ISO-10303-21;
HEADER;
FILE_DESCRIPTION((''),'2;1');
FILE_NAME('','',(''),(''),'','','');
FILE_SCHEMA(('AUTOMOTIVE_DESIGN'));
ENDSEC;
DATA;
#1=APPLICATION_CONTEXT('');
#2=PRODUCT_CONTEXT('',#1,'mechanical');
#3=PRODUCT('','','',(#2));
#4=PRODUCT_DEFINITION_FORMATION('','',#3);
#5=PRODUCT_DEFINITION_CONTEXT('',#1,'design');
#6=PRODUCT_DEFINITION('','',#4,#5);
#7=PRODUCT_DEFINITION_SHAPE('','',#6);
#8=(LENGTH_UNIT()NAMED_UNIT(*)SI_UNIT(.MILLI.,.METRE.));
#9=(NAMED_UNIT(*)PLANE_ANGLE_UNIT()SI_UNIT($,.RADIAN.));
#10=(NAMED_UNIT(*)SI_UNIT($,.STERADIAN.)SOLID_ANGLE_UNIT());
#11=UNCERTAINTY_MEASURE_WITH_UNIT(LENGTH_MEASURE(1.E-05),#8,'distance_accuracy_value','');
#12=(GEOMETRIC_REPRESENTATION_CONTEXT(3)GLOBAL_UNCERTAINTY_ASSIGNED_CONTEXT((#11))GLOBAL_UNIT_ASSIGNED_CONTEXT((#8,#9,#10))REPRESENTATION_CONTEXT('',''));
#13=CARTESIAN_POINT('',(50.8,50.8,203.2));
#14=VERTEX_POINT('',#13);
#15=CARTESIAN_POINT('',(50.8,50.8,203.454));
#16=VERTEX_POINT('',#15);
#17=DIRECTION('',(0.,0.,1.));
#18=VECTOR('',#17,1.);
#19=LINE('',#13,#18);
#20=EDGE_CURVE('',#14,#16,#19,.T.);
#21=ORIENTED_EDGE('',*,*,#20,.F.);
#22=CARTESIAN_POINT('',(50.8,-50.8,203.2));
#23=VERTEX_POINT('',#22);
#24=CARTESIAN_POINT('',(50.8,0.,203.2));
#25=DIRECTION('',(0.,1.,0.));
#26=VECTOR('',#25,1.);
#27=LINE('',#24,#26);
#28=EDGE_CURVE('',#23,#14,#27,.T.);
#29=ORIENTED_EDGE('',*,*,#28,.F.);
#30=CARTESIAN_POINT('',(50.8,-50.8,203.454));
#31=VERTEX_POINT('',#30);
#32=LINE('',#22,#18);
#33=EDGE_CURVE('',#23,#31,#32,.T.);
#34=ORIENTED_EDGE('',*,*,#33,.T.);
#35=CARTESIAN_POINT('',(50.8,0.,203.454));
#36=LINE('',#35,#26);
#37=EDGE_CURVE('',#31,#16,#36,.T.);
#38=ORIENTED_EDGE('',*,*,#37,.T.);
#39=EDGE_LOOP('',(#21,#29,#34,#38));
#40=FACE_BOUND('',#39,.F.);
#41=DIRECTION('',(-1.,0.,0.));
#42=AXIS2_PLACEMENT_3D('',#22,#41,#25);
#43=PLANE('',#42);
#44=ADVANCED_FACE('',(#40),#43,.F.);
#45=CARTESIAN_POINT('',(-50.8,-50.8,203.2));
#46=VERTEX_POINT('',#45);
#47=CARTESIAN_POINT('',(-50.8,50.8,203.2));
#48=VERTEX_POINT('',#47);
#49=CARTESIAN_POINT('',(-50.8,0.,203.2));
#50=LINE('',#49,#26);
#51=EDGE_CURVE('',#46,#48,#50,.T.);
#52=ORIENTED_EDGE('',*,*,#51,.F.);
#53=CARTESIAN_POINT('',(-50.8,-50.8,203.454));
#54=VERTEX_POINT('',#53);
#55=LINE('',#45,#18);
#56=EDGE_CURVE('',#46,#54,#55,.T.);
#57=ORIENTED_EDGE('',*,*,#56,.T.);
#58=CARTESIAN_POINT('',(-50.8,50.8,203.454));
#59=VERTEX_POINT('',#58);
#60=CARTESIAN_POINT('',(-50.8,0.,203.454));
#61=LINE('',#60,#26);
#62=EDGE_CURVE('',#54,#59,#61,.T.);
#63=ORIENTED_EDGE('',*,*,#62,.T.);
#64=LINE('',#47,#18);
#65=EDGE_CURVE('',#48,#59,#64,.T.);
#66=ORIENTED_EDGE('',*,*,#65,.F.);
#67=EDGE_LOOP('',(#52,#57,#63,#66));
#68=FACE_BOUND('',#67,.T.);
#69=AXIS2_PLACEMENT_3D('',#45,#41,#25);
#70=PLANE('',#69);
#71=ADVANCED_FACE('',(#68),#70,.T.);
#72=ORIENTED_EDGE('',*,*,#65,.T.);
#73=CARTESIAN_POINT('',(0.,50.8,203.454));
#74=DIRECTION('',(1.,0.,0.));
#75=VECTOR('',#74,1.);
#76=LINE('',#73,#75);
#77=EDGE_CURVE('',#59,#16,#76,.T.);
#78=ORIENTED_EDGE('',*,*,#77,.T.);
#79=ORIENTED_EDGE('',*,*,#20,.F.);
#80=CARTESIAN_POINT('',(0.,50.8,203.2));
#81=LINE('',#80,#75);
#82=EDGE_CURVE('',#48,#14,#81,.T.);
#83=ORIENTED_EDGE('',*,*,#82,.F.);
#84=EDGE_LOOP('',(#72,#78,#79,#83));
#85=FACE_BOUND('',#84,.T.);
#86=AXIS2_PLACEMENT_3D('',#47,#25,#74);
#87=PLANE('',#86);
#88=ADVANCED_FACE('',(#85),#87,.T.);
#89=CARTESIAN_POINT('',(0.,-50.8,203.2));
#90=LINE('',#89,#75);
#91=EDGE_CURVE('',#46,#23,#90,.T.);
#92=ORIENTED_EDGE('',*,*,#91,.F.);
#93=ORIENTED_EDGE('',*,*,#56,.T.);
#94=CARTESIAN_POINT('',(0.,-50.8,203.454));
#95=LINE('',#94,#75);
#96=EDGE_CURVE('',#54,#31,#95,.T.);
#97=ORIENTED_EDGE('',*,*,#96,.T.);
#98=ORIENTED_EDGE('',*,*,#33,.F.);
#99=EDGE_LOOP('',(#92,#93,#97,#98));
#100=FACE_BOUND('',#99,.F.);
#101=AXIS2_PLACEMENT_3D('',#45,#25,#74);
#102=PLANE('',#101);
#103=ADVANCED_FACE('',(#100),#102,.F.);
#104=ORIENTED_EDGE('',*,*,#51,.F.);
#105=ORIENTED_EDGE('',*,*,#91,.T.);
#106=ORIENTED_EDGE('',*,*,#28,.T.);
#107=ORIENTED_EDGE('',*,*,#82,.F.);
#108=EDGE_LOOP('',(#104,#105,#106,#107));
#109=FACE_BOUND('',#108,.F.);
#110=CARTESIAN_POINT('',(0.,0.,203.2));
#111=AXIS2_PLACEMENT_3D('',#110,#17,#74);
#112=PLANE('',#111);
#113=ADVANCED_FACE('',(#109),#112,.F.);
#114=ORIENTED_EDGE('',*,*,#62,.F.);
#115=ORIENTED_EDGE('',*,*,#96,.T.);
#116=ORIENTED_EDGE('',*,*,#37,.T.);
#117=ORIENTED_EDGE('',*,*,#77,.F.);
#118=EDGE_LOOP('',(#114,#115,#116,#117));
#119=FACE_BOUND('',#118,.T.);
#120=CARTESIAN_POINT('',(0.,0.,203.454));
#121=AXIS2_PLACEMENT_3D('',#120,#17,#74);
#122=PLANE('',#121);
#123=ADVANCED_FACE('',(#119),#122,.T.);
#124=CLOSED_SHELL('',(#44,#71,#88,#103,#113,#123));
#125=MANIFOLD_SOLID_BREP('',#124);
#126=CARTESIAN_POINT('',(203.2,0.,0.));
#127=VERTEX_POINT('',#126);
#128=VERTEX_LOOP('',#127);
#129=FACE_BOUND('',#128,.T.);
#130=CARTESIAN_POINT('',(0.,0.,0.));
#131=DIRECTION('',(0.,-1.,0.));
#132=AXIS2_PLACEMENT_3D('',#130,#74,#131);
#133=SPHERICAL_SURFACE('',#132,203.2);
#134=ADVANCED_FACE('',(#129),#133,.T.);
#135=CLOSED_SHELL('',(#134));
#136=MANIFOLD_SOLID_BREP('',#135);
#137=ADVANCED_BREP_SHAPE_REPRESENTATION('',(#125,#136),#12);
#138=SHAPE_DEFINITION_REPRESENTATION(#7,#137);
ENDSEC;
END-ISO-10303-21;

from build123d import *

# Parameters (mm, degrees)
F3_W     = 101.6
F3_H     = 101.6
F4_DEPTH = 0.254


with BuildPart() as f1:
    # F0 (on Top) → F1 (revolve)
    with BuildSketch(Plane.XY):
        with BuildLine():
            ThreePointArc((-203.2, 0), (0, -203.2), (203.2, 0))
            Line((203.2, 0), (-203.2, 0))
        make_face()
    revolve(axis=Axis((0, 0, 0), (1, 0, 0)))


with BuildPart() as f4:
    # F3 (on offset) → F4 (new body)
    with BuildSketch(Plane.XY.offset(203.2)):
        Rectangle(F3_W, F3_H)
    extrude(amount=F4_DEPTH)


solid = Compound([f1.part, f4.part])
